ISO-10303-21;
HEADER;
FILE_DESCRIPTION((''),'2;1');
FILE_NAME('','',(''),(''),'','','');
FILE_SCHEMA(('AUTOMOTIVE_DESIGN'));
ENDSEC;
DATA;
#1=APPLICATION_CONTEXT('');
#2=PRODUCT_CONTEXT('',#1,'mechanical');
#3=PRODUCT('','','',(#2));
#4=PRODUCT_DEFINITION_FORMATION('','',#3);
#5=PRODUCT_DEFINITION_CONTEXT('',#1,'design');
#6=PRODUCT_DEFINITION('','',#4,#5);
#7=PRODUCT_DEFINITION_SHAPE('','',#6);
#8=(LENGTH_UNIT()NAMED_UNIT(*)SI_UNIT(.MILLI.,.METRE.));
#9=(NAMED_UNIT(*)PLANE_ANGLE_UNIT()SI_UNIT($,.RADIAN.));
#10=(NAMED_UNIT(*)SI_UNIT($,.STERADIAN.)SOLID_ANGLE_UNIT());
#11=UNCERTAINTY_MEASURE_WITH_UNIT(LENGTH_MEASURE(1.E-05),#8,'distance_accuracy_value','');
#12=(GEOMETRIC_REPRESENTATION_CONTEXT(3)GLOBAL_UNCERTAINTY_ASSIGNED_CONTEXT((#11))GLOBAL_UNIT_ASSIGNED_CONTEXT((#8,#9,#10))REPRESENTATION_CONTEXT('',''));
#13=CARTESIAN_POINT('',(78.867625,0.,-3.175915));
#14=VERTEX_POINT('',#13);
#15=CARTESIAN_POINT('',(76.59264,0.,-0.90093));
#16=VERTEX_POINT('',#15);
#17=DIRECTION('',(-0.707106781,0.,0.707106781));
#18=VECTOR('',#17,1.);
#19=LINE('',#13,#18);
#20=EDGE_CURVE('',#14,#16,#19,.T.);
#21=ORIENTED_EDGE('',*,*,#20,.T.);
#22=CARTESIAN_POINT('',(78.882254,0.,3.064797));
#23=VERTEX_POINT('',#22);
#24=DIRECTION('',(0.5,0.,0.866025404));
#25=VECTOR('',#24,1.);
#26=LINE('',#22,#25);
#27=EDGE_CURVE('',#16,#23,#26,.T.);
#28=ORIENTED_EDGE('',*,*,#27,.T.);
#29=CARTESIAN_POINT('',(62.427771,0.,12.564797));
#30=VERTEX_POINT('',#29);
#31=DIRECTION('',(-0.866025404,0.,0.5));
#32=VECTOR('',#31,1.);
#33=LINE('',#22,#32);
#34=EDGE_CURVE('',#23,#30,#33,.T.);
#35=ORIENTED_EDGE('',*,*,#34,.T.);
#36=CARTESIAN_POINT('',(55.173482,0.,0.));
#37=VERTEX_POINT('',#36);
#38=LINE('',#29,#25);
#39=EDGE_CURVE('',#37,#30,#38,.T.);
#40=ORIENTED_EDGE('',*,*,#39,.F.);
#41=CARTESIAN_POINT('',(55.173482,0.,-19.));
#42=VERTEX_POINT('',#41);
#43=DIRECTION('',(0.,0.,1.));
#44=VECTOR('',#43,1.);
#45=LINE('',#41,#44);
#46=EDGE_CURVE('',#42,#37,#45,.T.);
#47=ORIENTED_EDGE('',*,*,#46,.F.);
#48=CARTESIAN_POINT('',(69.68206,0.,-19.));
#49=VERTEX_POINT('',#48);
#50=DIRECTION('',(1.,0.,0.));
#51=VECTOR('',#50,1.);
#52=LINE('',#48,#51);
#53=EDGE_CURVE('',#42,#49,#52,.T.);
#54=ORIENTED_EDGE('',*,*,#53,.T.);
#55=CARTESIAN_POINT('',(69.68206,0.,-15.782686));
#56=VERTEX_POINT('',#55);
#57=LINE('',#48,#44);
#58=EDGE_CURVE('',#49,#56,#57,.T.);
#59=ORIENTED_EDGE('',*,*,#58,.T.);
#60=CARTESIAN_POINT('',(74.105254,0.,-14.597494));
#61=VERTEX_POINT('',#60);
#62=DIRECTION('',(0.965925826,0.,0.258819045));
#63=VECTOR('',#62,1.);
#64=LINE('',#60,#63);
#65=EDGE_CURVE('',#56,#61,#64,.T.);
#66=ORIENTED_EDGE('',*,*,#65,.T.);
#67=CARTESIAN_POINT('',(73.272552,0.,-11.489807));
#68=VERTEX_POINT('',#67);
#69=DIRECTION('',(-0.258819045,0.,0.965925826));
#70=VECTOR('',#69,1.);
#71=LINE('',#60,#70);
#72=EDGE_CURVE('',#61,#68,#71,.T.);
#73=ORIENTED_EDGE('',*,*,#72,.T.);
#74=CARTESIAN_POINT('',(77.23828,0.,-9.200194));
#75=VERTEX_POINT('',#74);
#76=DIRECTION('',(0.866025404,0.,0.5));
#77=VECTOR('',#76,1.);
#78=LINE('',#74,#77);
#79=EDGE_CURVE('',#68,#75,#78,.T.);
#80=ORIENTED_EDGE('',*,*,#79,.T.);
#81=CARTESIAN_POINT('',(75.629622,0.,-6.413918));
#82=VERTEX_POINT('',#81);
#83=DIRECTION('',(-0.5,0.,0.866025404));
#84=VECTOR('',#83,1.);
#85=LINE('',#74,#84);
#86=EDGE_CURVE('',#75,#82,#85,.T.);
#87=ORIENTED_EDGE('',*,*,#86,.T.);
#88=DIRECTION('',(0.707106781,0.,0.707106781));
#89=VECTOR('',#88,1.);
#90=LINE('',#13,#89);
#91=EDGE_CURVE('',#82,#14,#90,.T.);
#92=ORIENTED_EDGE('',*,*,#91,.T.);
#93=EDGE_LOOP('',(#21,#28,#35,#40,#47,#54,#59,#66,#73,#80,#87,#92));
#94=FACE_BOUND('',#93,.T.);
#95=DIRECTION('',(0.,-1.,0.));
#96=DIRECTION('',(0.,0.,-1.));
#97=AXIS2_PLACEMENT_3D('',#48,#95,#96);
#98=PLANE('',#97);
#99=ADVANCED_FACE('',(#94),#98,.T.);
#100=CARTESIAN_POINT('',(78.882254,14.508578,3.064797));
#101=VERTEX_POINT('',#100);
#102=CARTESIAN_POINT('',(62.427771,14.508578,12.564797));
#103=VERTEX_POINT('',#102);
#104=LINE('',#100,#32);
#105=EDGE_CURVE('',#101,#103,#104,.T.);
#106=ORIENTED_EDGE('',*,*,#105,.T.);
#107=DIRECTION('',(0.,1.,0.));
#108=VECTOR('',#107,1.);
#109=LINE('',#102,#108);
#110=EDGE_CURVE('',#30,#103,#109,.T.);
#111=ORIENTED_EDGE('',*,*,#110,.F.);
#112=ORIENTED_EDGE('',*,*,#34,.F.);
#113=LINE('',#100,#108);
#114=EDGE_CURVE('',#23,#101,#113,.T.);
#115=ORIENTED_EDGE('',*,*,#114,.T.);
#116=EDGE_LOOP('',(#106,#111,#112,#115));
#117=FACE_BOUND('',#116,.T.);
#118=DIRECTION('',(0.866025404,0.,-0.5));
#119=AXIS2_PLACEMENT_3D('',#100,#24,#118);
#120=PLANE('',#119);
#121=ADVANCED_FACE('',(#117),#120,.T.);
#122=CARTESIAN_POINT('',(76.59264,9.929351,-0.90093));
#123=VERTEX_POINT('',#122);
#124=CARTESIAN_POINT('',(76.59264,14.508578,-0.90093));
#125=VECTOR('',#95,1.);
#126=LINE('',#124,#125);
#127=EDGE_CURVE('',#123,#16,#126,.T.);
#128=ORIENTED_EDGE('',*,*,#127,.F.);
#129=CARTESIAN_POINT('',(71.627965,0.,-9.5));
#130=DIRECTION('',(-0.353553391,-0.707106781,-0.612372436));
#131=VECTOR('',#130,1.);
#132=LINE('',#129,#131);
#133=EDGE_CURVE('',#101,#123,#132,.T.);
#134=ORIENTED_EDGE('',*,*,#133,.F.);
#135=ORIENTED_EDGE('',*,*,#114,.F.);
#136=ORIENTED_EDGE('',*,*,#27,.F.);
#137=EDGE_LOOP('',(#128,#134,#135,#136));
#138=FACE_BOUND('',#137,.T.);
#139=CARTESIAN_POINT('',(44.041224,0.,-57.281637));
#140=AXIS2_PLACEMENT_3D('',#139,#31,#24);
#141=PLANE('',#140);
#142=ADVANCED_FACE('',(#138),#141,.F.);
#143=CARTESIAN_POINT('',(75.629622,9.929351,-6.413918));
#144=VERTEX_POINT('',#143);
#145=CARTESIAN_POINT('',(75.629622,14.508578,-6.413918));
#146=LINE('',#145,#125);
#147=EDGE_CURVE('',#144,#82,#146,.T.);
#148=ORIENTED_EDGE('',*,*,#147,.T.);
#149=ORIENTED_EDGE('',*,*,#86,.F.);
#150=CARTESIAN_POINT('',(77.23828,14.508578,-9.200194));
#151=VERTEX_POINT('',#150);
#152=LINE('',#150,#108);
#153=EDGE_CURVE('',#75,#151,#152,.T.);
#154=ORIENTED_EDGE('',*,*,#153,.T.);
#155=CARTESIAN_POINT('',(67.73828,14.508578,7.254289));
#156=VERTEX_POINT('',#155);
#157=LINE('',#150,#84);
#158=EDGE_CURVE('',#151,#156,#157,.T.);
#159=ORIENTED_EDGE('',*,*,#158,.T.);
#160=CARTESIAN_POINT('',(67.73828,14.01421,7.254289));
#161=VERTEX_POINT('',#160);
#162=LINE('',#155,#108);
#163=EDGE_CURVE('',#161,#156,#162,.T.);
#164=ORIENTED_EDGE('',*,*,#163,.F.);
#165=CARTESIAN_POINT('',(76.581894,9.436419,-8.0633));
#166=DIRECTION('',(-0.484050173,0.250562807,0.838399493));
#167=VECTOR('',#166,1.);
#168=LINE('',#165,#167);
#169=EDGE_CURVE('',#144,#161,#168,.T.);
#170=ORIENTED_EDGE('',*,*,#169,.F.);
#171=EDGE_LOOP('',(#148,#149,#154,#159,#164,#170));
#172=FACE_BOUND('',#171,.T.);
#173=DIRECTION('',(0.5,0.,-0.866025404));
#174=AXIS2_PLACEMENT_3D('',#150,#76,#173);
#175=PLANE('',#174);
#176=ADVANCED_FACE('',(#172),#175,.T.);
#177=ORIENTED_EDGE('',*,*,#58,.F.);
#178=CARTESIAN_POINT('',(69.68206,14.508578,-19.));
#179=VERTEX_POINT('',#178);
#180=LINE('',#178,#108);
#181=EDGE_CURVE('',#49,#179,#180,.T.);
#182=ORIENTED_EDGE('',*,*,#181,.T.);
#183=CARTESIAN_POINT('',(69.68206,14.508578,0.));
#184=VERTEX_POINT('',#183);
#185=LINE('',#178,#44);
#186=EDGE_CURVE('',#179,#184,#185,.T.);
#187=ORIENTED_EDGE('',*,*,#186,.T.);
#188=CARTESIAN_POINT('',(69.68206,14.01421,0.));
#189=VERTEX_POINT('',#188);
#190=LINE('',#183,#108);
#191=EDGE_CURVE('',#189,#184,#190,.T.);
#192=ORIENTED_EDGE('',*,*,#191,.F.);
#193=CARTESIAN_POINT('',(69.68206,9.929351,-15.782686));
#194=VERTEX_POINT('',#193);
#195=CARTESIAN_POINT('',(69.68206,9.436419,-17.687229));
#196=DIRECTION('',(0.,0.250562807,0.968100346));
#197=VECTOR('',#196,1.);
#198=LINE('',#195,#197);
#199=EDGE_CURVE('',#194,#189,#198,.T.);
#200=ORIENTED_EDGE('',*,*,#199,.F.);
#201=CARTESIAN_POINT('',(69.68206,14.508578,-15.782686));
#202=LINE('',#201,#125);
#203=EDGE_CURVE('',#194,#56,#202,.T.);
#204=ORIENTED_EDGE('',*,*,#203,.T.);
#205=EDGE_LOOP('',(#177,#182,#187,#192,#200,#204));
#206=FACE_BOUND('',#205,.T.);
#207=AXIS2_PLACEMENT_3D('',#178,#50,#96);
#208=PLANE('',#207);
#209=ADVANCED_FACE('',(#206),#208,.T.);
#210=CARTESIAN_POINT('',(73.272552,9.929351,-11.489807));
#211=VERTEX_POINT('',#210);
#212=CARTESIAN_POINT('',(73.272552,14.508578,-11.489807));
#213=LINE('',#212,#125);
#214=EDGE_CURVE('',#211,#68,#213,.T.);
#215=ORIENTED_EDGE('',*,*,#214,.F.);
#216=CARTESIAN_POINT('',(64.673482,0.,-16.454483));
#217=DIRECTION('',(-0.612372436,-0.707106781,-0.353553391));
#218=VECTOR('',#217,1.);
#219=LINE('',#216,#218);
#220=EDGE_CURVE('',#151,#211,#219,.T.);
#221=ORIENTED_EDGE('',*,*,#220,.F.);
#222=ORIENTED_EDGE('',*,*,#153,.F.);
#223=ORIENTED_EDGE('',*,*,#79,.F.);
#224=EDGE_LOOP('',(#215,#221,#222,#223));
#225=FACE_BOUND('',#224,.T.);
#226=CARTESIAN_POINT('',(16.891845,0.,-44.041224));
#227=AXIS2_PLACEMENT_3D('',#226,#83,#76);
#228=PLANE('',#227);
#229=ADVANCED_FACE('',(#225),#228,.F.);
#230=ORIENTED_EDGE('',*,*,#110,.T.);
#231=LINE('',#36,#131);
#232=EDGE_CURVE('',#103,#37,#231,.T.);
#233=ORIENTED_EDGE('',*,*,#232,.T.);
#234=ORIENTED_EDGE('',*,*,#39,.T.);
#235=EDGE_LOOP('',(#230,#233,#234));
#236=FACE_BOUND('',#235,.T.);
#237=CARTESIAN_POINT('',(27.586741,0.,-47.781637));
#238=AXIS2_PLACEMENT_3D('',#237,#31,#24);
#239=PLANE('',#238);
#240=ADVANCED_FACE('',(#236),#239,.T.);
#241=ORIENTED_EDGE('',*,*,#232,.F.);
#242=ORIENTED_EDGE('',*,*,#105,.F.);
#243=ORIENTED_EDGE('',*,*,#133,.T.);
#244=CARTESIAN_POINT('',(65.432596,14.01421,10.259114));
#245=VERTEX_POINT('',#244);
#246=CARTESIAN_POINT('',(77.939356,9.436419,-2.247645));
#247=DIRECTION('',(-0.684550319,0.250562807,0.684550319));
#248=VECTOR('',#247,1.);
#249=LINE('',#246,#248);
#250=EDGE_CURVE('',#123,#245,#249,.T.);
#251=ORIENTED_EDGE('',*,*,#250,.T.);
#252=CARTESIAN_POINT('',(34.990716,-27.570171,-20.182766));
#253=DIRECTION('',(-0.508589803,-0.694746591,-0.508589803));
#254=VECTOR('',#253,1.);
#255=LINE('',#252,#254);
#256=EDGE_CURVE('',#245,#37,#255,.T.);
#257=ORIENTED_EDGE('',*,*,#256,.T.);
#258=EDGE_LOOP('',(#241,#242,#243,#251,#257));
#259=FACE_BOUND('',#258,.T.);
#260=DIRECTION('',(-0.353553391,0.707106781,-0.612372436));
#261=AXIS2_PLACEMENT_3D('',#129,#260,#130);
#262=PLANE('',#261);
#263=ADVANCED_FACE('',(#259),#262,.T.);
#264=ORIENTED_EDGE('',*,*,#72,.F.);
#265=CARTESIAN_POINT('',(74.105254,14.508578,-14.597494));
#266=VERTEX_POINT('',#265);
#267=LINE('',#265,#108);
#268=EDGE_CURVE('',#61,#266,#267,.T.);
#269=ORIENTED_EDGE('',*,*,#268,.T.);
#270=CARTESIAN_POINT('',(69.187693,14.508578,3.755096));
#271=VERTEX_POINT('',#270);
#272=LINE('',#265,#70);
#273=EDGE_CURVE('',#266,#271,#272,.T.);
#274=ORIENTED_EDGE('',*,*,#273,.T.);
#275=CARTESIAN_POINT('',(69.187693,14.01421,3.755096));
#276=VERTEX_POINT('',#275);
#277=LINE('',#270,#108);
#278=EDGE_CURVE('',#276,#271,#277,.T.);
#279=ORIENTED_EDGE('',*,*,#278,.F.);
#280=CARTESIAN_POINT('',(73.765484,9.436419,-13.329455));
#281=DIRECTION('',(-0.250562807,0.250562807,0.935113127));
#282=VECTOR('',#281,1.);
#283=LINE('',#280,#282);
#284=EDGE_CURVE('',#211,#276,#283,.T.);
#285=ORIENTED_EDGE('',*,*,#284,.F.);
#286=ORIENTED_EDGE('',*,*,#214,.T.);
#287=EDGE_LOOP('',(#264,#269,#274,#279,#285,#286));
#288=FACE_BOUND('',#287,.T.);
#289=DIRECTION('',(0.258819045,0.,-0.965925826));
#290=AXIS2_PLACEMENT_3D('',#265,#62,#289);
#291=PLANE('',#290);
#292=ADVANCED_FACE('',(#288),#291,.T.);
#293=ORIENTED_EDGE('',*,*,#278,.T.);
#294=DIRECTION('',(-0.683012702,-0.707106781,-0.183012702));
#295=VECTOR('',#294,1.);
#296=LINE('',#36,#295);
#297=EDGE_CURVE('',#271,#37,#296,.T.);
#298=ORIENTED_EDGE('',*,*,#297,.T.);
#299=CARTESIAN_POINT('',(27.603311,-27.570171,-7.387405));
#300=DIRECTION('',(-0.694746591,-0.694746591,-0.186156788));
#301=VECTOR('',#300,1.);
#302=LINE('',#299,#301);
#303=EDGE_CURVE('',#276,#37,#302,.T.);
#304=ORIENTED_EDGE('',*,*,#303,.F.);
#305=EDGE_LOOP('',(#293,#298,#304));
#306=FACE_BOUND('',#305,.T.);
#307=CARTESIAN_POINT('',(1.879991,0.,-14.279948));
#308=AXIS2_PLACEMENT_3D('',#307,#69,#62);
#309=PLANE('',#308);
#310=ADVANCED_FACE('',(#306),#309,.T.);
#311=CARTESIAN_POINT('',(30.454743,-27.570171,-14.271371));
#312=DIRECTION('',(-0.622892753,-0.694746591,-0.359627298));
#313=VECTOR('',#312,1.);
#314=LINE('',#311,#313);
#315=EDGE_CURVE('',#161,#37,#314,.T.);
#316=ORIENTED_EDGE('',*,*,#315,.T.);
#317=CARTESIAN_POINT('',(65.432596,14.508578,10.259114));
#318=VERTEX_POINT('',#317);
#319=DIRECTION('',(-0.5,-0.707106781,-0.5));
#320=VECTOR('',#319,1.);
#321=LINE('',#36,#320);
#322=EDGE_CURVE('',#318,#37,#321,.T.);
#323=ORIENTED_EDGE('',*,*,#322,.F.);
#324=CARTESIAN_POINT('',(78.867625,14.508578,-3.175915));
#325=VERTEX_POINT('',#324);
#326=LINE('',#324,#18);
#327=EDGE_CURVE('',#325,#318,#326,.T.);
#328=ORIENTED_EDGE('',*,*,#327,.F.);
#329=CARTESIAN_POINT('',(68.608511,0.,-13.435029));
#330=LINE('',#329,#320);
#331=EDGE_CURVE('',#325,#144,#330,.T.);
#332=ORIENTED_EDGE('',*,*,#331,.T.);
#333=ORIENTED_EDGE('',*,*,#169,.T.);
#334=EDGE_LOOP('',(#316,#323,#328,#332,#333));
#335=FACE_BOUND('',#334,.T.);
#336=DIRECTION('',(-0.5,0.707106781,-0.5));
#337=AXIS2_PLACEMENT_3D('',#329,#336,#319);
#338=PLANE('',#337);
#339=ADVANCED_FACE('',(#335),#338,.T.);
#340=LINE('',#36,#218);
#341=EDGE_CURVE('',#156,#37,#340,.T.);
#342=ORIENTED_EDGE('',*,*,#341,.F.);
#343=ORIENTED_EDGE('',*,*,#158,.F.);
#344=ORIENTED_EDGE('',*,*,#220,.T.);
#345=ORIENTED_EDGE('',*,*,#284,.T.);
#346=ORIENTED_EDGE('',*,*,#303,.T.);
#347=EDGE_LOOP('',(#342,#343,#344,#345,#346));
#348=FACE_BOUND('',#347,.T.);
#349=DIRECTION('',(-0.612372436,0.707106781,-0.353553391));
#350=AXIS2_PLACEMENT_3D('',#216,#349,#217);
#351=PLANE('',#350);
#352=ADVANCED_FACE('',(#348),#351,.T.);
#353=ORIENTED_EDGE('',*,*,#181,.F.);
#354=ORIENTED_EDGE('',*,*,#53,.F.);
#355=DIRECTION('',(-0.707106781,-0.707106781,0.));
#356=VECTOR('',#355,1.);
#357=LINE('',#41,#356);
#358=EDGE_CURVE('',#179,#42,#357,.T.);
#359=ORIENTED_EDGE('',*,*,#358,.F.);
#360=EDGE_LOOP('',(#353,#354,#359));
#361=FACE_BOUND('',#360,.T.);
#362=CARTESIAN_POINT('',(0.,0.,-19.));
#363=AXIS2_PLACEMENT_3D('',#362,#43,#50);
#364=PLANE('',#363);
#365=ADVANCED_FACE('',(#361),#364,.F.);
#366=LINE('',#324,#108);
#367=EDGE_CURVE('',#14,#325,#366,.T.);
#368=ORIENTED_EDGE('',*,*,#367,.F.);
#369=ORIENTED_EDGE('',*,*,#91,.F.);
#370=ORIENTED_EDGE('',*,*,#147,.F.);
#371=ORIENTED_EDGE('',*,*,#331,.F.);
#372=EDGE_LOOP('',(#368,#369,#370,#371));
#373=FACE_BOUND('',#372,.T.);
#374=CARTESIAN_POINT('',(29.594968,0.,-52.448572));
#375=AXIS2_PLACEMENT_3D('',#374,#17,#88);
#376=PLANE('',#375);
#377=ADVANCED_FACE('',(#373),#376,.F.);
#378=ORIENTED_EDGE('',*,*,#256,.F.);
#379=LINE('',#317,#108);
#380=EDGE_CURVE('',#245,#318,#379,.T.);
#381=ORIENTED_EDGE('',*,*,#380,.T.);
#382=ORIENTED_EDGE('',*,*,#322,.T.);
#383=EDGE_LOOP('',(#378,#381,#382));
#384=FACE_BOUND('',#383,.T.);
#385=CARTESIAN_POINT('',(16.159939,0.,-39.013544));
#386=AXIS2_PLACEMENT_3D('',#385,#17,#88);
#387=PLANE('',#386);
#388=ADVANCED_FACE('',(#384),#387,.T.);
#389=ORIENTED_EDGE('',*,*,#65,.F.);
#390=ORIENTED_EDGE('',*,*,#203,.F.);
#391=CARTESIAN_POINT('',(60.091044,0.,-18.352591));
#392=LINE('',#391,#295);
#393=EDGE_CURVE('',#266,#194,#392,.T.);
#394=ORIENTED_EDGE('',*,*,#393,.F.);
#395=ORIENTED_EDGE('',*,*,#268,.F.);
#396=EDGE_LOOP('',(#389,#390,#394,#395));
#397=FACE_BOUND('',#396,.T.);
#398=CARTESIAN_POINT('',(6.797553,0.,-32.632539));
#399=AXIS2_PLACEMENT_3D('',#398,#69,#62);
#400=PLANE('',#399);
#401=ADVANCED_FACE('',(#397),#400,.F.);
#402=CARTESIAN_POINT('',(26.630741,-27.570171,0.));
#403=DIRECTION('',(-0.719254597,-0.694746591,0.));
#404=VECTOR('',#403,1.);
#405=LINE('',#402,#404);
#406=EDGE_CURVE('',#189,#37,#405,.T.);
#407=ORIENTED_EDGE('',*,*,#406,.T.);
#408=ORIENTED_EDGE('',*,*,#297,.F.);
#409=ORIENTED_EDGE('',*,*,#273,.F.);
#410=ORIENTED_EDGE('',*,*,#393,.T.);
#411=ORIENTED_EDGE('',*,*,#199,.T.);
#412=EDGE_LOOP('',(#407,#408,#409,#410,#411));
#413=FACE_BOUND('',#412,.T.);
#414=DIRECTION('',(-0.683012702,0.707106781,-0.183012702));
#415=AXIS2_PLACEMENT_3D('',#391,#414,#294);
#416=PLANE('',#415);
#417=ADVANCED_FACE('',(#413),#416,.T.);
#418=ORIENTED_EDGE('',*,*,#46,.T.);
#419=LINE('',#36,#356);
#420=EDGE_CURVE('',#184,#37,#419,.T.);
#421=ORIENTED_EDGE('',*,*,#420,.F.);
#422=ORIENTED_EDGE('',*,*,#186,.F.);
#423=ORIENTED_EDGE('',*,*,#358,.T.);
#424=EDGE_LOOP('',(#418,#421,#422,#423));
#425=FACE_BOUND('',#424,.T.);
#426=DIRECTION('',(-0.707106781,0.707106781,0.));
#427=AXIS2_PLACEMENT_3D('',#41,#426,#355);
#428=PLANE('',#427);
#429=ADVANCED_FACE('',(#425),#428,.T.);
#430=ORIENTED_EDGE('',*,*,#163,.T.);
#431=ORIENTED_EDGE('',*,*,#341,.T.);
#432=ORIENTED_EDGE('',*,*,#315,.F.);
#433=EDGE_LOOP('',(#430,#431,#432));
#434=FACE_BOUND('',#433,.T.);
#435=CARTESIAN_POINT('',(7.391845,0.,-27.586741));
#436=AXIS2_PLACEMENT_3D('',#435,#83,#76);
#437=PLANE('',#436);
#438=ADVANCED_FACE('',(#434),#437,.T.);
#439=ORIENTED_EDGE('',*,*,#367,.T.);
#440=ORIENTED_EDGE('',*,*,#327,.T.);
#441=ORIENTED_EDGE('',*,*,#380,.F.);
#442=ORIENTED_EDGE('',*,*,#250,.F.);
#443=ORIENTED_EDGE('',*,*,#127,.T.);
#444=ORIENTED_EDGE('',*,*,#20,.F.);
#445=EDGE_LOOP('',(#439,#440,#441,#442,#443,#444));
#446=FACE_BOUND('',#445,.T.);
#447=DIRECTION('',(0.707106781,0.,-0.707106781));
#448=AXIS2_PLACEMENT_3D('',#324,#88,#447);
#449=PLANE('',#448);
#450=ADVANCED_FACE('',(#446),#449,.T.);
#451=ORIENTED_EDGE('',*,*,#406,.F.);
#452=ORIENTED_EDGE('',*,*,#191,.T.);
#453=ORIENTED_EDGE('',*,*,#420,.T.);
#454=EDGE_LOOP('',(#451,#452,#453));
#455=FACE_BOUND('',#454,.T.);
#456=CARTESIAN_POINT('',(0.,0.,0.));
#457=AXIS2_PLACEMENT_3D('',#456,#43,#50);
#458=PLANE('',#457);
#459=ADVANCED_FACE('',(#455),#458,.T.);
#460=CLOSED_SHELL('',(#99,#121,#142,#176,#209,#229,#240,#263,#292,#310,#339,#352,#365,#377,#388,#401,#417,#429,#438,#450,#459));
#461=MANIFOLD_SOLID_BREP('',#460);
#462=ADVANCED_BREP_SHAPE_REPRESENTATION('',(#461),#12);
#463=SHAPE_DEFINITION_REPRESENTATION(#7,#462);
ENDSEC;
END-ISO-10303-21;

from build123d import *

# Parameters (mm, degrees)
AUFSATZ_LINEAR_AUSTRAGEN1_DEPTH = 19
KREISMUSTER1_COUNT              = 5
KREISMUSTER1_ANGLE              = 60


with BuildPart() as part:
    # Skizze2 → Aufsatz-Linear austragen1 (new body)
    with BuildSketch(Plane.XY):
        Polygon((55.173482404, 0), (69.682060417, 14.508578013), (69.682060417, 0), align=None)
    aufsatz_linear_austragen1 = extrude(amount=-AUFSATZ_LINEAR_AUSTRAGEN1_DEPTH)

    # Kreismuster1: Aufsatz-Linear austragen1 ×5 about axis
    kreismuster1_axis = Axis((55.173482404, 0, 0), (0, -1, 0))
    for i in range(1, KREISMUSTER1_COUNT):
        add(aufsatz_linear_austragen1.rotate(kreismuster1_axis, i * KREISMUSTER1_ANGLE / (KREISMUSTER1_COUNT - 1)))


solid = part.part
